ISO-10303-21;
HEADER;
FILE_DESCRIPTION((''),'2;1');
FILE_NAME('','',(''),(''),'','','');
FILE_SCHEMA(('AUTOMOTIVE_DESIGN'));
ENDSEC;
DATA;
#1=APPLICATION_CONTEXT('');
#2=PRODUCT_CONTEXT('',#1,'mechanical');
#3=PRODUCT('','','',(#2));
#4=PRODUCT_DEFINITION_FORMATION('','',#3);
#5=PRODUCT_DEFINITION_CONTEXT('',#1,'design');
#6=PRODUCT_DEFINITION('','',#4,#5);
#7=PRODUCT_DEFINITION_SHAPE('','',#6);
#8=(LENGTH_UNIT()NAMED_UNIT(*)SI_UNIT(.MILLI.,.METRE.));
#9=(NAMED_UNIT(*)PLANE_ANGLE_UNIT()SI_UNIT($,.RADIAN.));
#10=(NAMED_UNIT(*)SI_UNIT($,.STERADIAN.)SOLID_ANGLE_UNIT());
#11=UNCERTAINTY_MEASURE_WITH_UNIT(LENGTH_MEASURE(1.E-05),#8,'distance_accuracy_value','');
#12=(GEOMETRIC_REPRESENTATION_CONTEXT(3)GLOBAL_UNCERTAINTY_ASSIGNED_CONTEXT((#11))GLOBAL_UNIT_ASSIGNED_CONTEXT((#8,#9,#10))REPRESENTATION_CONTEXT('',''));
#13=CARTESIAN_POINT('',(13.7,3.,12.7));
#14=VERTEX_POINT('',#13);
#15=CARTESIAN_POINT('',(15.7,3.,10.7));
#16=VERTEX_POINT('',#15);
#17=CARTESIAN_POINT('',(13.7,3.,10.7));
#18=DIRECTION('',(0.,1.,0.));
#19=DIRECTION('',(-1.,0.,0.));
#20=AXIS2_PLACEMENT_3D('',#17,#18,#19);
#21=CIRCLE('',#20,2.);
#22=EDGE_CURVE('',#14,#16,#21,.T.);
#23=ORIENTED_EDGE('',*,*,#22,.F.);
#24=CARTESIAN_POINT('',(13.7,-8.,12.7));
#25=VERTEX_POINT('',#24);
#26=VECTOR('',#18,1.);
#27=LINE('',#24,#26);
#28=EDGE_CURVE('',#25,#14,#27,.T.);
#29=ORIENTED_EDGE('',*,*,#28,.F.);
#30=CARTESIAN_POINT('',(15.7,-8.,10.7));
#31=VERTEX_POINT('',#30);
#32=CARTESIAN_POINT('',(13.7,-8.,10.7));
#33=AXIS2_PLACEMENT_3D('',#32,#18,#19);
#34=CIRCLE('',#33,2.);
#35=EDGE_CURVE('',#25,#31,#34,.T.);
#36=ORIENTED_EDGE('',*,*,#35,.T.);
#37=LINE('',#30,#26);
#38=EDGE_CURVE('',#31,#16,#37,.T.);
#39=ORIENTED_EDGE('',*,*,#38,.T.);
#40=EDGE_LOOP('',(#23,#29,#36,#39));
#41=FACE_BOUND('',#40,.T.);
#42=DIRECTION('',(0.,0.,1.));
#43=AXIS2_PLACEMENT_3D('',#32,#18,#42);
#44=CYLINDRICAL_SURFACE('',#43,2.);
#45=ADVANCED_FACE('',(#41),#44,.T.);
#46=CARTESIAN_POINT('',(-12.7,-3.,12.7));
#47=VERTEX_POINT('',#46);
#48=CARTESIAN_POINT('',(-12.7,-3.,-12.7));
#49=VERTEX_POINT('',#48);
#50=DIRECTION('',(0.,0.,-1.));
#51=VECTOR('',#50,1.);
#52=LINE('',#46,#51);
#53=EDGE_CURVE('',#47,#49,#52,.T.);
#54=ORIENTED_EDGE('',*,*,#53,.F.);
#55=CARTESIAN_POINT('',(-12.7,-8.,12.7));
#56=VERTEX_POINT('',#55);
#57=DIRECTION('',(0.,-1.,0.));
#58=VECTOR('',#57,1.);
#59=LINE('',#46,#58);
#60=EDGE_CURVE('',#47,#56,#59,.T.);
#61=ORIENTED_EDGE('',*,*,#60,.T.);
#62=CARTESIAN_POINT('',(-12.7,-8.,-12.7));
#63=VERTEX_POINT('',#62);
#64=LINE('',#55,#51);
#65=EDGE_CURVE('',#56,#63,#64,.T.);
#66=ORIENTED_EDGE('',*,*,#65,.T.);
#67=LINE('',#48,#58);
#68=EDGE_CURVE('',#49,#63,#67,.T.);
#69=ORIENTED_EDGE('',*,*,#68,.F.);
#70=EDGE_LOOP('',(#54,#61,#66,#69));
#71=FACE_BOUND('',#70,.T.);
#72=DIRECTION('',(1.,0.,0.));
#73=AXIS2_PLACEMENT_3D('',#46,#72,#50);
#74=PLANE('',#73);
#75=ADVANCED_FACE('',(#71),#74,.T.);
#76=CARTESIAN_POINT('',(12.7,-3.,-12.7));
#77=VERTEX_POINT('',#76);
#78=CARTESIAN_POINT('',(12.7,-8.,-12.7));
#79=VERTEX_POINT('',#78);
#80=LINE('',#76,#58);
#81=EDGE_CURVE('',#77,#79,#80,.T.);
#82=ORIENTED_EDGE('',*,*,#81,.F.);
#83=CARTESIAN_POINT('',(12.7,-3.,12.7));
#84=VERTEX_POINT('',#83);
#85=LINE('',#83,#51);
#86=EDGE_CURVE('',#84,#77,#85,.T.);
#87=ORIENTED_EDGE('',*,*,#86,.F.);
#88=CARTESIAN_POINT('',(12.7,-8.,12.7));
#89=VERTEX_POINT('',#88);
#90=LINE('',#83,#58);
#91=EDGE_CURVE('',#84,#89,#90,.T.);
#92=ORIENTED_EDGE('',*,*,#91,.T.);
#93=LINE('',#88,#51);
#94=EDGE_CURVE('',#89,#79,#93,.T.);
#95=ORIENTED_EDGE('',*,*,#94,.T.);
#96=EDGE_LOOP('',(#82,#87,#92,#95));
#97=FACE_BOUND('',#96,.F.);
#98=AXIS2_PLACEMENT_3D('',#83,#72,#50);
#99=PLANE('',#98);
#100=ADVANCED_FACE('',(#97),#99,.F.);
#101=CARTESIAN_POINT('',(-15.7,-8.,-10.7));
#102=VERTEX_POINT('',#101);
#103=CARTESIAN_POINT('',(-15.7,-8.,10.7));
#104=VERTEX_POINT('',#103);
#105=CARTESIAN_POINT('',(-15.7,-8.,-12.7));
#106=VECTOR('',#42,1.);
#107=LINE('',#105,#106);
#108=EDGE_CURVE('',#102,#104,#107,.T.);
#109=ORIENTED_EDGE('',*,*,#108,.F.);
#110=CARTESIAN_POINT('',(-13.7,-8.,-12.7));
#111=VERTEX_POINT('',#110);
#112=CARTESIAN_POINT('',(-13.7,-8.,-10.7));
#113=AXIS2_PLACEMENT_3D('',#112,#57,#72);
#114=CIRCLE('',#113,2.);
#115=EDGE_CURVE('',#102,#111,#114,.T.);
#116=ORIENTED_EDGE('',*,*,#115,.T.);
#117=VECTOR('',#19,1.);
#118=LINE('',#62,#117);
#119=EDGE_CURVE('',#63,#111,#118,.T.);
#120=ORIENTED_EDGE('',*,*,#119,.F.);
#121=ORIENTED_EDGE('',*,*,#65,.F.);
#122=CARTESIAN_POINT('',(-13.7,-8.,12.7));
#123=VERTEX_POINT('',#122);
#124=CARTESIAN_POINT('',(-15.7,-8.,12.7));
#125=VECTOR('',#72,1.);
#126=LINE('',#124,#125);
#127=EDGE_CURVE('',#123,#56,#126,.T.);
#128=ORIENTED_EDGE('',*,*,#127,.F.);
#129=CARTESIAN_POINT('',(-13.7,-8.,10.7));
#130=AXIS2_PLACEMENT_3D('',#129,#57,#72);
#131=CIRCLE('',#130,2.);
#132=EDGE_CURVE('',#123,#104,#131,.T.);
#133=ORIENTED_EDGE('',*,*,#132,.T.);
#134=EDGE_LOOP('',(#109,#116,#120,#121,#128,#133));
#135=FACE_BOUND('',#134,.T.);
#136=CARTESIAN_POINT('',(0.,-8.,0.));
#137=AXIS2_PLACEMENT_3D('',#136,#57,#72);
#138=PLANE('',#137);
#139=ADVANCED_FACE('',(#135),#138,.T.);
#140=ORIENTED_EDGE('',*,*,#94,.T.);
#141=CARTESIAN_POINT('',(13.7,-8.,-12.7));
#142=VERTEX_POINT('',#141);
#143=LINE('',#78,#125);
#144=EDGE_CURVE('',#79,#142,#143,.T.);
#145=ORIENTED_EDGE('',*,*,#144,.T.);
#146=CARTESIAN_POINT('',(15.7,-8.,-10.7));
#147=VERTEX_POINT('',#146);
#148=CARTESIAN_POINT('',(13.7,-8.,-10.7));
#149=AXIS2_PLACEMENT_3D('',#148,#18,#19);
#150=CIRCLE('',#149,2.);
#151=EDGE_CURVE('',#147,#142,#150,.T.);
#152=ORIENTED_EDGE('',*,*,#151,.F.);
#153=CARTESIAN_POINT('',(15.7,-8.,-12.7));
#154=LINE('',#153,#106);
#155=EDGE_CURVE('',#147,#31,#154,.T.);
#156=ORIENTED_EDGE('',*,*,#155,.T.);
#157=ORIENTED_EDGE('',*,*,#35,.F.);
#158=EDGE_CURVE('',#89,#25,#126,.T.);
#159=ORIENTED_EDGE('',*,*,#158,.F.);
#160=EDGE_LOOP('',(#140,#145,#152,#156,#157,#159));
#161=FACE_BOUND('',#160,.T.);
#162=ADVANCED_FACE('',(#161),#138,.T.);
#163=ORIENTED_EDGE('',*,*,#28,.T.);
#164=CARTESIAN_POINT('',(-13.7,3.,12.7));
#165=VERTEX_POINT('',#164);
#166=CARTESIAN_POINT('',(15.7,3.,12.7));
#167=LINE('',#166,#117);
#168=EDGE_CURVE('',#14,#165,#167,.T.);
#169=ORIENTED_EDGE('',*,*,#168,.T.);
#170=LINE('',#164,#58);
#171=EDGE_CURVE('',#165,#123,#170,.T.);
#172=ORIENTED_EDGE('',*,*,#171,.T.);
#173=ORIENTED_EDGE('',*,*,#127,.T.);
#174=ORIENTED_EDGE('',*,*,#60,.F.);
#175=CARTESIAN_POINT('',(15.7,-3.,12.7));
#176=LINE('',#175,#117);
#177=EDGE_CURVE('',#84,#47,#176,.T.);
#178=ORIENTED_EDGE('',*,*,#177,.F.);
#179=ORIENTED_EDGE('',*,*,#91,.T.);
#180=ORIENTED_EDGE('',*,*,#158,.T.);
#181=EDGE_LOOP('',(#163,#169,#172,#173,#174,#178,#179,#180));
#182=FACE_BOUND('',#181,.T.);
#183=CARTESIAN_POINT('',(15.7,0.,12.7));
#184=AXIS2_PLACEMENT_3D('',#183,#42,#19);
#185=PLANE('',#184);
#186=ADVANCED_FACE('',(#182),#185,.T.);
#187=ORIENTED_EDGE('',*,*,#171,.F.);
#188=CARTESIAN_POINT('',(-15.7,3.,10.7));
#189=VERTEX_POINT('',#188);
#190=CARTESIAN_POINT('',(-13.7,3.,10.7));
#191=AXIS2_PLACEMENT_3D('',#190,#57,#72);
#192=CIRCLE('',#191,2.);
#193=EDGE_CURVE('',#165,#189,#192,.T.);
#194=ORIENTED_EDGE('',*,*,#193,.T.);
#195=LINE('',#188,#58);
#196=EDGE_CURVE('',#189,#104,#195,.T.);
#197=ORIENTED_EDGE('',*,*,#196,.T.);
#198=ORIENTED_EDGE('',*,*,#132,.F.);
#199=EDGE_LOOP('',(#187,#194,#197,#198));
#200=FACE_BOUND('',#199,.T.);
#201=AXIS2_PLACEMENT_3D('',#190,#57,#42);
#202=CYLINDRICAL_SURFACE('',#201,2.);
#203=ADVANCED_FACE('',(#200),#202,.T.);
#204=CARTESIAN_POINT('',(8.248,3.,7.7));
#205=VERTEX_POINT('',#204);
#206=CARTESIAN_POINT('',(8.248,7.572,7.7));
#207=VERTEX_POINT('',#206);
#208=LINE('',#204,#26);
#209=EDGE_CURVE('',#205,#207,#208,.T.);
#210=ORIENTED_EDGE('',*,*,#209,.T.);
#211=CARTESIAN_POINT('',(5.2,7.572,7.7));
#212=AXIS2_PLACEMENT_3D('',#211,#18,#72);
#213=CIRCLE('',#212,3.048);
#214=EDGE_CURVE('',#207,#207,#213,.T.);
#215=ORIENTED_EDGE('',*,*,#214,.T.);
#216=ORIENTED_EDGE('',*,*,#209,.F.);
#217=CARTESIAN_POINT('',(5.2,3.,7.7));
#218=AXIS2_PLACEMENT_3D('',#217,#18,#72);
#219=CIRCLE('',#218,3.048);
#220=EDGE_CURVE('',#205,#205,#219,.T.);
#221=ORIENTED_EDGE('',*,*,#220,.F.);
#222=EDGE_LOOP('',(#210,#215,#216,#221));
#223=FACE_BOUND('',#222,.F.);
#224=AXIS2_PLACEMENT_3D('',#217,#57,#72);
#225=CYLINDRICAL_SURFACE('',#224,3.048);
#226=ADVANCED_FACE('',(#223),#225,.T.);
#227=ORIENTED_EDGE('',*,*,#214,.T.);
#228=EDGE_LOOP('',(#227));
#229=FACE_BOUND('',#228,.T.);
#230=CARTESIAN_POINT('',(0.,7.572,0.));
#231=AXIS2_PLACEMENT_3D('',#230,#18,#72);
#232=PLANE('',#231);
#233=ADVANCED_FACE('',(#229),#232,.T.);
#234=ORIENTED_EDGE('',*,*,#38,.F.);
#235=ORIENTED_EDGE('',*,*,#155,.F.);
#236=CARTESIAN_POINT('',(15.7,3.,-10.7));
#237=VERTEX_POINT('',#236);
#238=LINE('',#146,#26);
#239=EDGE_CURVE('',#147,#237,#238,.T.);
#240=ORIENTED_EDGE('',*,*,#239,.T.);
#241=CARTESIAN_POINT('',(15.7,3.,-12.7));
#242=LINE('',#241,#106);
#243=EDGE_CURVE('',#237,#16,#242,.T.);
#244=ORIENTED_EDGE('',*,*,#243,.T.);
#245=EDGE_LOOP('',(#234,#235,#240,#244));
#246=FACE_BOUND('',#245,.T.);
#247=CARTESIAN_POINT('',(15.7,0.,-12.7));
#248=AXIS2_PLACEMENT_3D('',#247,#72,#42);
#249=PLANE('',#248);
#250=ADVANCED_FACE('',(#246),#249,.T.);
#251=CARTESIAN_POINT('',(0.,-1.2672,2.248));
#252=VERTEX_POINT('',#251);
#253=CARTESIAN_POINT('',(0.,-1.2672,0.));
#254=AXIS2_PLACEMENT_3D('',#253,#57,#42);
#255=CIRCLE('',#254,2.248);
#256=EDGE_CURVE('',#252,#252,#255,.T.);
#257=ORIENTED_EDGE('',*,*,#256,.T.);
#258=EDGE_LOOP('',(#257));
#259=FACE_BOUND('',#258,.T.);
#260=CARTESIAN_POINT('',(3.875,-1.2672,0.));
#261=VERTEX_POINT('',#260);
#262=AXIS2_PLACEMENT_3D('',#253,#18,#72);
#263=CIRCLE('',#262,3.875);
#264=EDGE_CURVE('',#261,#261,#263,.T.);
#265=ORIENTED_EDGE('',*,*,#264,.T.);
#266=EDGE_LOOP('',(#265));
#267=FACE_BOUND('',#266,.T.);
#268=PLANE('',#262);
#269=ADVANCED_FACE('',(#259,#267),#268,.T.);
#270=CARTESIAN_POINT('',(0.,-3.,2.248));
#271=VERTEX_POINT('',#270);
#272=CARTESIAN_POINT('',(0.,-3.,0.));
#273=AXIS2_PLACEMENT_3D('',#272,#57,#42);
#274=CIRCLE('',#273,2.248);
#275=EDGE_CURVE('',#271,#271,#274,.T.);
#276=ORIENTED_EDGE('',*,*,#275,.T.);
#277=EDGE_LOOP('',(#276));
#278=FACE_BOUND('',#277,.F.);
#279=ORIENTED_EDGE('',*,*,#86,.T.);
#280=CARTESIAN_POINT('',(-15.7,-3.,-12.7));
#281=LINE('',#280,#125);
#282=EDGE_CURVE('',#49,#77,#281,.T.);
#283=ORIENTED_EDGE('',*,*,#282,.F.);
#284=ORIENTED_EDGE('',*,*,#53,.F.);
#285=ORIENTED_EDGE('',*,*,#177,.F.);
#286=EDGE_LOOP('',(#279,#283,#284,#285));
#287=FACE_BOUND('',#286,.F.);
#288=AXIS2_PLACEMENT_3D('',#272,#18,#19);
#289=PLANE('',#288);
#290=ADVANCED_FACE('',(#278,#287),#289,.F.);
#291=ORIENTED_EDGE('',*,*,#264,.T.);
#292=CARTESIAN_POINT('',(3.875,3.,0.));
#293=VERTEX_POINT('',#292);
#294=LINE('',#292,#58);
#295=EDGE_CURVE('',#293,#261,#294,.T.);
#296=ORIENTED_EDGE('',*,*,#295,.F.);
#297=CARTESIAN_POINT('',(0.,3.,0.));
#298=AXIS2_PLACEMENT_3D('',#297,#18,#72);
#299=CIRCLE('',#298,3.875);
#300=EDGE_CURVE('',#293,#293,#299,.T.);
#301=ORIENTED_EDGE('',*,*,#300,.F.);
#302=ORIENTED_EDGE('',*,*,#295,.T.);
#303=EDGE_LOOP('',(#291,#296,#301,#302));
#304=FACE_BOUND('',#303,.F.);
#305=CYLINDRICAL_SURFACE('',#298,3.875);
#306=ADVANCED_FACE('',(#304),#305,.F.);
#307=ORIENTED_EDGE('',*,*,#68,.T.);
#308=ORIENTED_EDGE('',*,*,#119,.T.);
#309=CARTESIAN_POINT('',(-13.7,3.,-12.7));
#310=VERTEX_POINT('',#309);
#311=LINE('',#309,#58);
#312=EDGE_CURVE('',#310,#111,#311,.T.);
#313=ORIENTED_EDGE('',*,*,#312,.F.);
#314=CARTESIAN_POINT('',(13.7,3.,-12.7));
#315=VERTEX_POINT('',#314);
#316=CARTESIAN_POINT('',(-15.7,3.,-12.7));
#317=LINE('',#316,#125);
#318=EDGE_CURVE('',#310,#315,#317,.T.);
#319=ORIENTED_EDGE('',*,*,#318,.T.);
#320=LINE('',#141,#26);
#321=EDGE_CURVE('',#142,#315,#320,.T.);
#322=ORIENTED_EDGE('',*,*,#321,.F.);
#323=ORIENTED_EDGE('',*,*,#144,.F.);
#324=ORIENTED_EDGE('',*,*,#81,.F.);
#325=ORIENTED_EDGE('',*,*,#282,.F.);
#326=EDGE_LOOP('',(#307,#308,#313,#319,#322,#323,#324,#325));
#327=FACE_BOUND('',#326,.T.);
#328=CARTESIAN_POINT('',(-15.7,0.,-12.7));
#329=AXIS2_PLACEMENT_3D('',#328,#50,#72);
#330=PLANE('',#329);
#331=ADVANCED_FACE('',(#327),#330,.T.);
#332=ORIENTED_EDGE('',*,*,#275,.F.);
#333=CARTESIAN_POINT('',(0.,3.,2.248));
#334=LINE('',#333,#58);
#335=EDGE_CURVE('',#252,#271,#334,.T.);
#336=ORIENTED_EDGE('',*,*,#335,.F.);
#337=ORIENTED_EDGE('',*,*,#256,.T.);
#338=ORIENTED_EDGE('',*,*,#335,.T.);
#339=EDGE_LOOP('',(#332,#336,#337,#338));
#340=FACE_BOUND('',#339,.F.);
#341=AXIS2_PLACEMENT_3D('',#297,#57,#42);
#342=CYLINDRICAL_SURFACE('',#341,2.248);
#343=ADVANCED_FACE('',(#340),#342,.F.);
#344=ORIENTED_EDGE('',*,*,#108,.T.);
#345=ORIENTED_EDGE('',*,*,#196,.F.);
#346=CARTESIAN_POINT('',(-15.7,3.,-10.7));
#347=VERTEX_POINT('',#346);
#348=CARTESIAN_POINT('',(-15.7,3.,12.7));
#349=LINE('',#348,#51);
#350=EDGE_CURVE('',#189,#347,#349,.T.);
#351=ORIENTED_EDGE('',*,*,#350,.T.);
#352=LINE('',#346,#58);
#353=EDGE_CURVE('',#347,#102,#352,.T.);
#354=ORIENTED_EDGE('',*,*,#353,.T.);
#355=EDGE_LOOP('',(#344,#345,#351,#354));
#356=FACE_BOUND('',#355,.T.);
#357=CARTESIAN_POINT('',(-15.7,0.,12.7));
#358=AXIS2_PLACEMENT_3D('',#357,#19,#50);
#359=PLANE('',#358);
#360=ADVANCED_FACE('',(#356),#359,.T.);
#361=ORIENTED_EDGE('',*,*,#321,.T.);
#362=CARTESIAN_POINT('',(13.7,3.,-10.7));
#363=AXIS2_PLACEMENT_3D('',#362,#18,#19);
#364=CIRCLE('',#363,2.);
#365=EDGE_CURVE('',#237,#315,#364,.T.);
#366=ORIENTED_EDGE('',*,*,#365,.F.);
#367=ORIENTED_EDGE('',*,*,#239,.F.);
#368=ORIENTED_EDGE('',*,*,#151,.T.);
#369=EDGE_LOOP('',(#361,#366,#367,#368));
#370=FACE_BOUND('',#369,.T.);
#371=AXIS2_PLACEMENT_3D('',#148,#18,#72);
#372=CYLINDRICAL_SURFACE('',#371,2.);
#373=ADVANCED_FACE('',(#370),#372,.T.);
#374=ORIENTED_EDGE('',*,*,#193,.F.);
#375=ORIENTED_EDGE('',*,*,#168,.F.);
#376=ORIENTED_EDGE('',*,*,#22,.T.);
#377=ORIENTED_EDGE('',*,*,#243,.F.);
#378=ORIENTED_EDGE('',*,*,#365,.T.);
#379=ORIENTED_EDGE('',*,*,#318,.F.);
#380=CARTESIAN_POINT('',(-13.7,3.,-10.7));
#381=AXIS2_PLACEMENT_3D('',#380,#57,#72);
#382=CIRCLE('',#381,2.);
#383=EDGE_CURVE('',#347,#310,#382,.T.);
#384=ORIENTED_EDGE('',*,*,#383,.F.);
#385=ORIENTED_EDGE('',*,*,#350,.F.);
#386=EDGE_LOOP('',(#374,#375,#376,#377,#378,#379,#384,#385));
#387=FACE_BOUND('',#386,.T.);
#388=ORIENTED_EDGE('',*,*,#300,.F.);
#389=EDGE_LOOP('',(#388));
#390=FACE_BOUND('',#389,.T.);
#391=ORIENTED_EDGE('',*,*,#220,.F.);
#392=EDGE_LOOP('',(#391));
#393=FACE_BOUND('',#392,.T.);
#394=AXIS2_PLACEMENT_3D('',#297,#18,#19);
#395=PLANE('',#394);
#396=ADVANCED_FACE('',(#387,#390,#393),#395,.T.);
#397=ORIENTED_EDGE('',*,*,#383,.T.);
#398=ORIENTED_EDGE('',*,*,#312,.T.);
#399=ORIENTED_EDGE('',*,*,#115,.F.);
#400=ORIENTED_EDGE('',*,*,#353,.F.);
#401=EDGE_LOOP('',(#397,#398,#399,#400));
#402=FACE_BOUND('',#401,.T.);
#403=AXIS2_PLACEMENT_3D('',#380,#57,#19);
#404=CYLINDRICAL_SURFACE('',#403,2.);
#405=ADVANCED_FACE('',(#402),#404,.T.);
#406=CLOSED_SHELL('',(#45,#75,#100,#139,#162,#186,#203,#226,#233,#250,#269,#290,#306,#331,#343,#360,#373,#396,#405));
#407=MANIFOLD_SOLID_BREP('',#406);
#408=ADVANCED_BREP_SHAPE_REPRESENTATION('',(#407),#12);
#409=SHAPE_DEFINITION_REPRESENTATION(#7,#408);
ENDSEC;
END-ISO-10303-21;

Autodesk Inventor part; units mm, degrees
ref_plane "YZ Plane" through (0, 0, 0) normal (1, 0, 0) x (0, 1, 0)
ref_plane "XZ Plane" through (0, 0, 0) normal (0, 1, 0) x (-1, 0, 0)
ref_plane "XY Plane" through (0, 0, 0) normal (0, 0, 1) x (1, 0, 0)
sketch "Sketch1" plane through (0, 0, 0) normal (0, 1, 0) x (-1, 0, 0)
  line L0 (-15.7, 12.7) -> (15.7, 12.7)
  line L1 (15.7, 12.7) -> (15.7, -12.7)
  line L2 (15.7, -12.7) -> (-15.7, -12.7)
  line L3 (-15.7, -12.7) -> (-15.7, 12.7)
  line L4 (-15.7, 12.7) -> (15.7, -12.7) construction
  line L5 (15.7, 12.7) -> (-15.7, -12.7) construction
  point P0 (0, 0)
  dimension "d0" = 25.4
  dimension "d1" = 31.4
extrude "Extrusion1" add sketch "Sketch1" along normal mid plane 6
sketch "Sketch2" plane through (0, 3, 0) normal (0, 1, 0) x (1, 0, 0)
  point P0 (0, 0)
hole "Hole1" at (0, 3, 0) direction (0, -1, 0) diameter 4.496 end through all clearance for "Flat Head Machine Screw (82)" size "#8" standard "Ansi Unified Screw Threads"
sketch "Sketch3" plane through (0, 3, 0) normal (0, 1, 0) x (1, 0, 0)
  circle A0 centre (0, 0) radius 3.875
  dimension "d11" = 7.75
extrude "Extrusion2" cut sketch "Sketch3" against normal blind 4.2672
sketch "Sketch4" plane through (0, 3, 0) normal (0, 1, 0) x (1, 0, 0)
  circle A0 centre (5.2, -7.7) radius 3.048
  line L0 (-15.7, -12.7) -> (15.7, -12.7) construction
  line L1 (15.7, -12.7) -> (15.7, 12.7) construction
  point P0 (0, 0)
  dimension "d14" = 6.096
  dimension "d18" = 5
  dimension "d23" = 10.5
extrude "Extrusion3" add sketch "Sketch4" along normal blind 4.572
sketch "Sketch5" plane through (0, -3, 0) normal (0, -1, 0) x (1, 0, 0)
  line L0 (-15.7, 12.7) -> (15.7, 12.7) projected
  line L1 (15.7, 12.7) -> (12.7, 12.7)
  line L2 (12.7, 12.7) -> (12.7, -12.7)
  line L3 (12.7, -12.7) -> (15.7, -12.7)
  line L4 (15.7, -12.7) -> (15.7, 12.7)
  line L5 (-15.7, 12.7) -> (-12.7, 12.7)
  line L6 (-12.7, 12.7) -> (-12.7, -12.7)
  line L7 (-12.7, -12.7) -> (-15.7, -12.7)
  line L8 (-15.7, -12.7) -> (-15.7, 12.7)
  line L9 (-15.7, -12.7) -> (15.7, -12.7) projected
  line L10 (12.7, 0) -> (-12.7, 0) construction
  point P0 (0, 0)
  point P1 (0, 0)
  dimension "d20" = 25.4
extrude "Extrusion4" add sketch "Sketch5" along normal blind 5 contours L0 L6 L7 L8 | L0 L4 L3 L2
fillet "Fillet1" radius 2 4 edges at (-15.7, -2.5, 12.7) (15.7, -2.5, 12.7) (15.7, -2.5, -12.7) (-15.7, -2.5, -12.7)
properties part number "BearingMount"
